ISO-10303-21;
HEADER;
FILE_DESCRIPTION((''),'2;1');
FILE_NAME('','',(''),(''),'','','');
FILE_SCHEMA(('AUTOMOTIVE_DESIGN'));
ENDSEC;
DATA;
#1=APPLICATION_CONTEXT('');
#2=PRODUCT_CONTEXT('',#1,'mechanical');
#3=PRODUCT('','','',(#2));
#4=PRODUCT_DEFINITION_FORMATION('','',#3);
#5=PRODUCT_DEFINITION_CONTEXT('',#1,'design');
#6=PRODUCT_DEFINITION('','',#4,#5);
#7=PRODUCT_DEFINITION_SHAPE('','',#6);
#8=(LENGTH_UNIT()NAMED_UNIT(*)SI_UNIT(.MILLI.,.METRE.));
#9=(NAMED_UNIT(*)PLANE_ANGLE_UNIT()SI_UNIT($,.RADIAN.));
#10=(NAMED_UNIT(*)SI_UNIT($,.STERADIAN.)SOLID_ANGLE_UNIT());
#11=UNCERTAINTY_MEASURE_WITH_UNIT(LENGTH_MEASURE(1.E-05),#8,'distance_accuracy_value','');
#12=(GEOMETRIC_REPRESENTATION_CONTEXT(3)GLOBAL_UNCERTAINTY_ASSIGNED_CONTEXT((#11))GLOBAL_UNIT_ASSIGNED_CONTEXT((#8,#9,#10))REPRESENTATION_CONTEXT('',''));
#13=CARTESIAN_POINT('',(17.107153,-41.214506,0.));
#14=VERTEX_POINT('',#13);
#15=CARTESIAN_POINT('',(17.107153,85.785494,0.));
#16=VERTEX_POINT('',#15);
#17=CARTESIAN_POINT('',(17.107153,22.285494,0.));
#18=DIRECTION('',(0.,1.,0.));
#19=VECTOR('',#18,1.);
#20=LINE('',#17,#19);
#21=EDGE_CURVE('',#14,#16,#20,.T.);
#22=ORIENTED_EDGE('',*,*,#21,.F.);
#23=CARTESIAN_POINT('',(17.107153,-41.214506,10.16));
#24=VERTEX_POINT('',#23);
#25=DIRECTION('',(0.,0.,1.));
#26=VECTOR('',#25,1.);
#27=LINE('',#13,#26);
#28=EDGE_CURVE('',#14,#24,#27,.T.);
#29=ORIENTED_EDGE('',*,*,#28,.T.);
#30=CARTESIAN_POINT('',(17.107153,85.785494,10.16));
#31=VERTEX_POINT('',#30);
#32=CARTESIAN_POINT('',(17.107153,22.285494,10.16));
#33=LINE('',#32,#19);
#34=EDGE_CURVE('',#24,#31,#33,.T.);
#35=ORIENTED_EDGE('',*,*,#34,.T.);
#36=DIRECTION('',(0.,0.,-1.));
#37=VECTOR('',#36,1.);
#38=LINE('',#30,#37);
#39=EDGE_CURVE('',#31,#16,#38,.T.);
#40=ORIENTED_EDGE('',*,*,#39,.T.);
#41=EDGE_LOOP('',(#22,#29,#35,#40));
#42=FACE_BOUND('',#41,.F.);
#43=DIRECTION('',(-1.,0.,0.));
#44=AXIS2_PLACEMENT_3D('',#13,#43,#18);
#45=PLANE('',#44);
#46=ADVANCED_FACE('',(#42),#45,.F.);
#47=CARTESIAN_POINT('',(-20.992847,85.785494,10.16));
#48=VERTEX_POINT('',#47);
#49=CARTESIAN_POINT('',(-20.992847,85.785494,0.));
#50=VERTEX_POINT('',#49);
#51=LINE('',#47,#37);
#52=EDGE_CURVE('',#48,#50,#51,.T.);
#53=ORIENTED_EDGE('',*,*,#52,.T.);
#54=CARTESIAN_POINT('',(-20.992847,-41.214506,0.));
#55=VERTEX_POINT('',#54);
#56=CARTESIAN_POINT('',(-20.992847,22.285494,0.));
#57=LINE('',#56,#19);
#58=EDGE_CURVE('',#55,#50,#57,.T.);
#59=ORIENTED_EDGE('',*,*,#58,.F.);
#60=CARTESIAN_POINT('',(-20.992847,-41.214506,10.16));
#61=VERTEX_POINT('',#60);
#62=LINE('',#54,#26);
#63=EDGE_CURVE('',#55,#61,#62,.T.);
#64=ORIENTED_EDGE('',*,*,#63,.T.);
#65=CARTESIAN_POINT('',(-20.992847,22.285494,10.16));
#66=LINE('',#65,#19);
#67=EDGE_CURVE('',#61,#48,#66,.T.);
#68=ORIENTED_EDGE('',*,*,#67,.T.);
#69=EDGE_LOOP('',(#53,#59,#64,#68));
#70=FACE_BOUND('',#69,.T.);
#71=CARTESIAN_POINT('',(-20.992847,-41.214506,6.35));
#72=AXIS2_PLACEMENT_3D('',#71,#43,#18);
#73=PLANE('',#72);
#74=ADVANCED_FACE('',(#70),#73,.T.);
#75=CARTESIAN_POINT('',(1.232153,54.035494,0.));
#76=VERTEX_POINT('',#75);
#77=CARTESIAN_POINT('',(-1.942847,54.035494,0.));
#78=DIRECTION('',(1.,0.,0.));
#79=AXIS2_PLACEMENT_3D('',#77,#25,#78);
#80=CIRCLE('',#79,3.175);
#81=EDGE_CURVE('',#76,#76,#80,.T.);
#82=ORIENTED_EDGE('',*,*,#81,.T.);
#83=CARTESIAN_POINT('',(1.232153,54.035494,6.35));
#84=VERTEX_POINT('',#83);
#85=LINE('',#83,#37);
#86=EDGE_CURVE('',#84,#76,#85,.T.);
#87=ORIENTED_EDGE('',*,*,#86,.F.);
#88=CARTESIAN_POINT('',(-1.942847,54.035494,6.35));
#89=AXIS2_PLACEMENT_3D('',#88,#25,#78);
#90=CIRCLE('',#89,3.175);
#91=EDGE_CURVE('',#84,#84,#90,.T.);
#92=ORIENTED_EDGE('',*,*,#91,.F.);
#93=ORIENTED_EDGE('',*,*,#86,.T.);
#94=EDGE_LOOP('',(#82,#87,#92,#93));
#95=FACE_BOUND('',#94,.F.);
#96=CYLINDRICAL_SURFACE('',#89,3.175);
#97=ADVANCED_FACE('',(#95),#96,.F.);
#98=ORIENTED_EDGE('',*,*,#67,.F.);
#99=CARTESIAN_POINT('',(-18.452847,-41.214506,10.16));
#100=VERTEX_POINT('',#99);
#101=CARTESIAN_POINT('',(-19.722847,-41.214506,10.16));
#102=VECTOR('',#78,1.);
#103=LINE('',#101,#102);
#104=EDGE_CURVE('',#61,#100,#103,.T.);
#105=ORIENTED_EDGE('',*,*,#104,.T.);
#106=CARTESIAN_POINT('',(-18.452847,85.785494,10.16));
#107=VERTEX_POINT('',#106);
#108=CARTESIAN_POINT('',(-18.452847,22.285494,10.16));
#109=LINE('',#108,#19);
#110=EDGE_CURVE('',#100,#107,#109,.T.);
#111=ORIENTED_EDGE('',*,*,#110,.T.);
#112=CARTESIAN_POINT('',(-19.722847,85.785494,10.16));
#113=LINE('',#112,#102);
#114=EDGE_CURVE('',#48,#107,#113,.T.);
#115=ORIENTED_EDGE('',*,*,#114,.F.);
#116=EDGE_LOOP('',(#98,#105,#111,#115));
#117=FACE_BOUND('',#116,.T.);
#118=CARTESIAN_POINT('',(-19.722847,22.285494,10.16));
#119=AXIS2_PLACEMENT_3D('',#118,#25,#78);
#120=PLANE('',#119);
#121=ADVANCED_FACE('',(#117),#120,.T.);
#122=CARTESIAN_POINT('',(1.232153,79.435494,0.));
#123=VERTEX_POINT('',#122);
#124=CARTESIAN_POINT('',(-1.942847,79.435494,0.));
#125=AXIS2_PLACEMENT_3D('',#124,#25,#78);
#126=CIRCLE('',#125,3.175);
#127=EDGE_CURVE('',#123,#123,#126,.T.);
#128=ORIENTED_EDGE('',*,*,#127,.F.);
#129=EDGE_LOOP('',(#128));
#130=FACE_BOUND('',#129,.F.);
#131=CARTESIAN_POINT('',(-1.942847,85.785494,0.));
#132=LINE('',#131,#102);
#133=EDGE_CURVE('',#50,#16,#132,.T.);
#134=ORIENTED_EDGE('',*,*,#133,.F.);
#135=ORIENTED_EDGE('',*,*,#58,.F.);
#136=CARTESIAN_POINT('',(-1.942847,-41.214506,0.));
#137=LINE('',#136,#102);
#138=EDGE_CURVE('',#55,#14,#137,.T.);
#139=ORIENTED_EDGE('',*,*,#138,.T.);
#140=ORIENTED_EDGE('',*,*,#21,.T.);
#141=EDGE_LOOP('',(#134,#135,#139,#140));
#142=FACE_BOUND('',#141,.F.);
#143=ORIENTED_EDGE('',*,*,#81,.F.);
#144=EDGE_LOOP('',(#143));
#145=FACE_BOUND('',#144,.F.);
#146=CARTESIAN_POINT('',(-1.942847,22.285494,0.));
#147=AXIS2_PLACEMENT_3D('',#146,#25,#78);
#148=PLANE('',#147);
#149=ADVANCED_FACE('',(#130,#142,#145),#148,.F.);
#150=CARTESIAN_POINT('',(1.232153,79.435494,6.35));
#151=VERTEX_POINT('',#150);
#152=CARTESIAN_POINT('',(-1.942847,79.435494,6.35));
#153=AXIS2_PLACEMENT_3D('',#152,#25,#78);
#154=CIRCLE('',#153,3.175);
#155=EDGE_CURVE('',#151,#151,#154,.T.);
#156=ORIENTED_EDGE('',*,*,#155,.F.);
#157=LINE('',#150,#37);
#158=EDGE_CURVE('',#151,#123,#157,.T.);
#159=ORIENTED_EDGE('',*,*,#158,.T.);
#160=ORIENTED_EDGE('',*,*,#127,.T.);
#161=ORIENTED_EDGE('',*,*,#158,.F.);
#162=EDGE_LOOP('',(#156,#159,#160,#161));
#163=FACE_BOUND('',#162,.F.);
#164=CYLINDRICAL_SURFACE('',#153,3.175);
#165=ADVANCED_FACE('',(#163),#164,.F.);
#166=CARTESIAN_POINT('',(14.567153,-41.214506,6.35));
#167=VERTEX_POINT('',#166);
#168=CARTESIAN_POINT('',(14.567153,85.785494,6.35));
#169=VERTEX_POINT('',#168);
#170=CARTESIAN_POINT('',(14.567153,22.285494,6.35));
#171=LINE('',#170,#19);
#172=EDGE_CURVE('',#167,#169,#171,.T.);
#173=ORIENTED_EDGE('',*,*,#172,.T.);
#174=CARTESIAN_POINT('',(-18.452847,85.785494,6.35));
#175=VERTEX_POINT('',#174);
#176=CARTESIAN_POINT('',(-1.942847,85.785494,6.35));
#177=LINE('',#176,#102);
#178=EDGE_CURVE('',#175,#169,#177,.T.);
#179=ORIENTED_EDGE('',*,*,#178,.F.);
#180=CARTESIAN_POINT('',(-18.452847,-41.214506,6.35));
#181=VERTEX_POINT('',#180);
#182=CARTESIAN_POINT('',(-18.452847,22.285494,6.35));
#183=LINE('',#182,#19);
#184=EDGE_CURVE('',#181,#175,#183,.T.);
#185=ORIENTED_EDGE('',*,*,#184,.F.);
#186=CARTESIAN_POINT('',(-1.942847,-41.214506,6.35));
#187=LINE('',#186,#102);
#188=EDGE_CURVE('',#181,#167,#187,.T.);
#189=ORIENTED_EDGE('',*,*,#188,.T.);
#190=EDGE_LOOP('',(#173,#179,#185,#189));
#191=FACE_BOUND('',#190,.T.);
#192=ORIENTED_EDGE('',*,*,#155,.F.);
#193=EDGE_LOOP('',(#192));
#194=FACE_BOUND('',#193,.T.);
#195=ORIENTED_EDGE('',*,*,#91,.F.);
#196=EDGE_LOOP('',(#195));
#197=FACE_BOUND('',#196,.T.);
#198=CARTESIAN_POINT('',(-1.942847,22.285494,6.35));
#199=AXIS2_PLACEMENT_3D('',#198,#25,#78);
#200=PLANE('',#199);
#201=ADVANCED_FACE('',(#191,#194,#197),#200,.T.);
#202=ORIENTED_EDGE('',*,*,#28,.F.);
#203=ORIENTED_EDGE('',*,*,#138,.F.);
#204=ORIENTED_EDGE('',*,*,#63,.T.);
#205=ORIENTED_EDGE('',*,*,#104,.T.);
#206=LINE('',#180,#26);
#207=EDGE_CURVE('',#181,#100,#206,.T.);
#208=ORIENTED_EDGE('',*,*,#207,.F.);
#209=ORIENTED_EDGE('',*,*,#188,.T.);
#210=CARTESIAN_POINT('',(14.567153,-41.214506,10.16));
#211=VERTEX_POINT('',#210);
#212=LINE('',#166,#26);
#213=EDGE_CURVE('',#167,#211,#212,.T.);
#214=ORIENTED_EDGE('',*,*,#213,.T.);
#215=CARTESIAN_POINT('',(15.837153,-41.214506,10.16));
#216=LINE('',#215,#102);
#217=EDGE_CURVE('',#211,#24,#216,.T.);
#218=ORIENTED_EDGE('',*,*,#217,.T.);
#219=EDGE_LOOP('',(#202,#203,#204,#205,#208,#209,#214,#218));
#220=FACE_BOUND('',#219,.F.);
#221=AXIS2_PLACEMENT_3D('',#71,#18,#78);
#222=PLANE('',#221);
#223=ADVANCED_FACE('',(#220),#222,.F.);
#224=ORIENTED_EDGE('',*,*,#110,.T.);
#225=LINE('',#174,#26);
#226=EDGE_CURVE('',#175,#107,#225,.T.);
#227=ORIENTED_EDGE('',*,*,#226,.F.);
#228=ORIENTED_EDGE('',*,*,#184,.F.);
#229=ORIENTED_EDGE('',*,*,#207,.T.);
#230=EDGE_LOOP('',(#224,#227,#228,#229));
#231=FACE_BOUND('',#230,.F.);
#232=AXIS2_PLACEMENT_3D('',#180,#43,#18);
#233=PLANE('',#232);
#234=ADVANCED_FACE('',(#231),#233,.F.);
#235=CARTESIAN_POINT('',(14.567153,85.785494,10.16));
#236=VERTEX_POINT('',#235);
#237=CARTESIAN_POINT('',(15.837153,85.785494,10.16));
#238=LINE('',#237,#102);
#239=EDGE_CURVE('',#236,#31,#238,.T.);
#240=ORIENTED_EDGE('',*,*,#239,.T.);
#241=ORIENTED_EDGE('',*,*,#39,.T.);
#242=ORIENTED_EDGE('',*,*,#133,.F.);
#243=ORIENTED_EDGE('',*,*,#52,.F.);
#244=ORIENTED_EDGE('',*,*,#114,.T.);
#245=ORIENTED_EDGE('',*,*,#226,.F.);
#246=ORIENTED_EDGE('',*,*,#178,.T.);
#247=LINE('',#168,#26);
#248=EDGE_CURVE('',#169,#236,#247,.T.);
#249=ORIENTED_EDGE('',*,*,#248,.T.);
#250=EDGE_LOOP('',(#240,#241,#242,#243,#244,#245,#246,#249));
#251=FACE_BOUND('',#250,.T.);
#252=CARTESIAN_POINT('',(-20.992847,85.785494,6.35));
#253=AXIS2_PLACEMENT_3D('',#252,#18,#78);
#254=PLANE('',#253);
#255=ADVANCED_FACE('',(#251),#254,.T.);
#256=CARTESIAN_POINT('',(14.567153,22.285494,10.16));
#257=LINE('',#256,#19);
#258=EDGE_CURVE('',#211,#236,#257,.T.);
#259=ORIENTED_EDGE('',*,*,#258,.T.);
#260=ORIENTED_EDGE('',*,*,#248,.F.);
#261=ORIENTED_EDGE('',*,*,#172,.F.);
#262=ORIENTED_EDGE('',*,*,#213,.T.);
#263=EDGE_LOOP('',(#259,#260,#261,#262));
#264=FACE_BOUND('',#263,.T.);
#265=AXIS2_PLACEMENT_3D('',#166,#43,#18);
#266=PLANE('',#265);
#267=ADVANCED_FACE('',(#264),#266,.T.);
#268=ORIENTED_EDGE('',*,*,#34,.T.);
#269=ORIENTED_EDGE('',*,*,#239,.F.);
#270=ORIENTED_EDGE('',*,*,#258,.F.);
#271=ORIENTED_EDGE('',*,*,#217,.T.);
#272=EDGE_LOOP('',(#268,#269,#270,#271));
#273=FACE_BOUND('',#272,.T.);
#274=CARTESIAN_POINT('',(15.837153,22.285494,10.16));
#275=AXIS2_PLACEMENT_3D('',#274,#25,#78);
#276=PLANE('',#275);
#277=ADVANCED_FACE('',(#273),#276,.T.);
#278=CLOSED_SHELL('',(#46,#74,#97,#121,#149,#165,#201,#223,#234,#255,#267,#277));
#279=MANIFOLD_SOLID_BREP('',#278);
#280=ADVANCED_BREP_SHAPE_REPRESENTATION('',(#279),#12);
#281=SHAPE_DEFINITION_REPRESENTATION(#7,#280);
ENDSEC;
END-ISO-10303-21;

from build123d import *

# Parameters (mm, degrees)
F0_W     = 38.1
F0_H     = 127
F1_DEPTH = 6.35
F2_W     = 2.54
F2_H     = 127
F3_DEPTH = 3.81
F4_R     = 3.175
F5_DEPTH = 6.35


with BuildPart() as f1:
    # F0 (on Top) → F1 (new body)
    with BuildSketch(Plane.XY):
        with Locations((-1.942847, 22.285494)):
            Rectangle(F0_W, F0_H)
    extrude(amount=F1_DEPTH)

    # F2 (on face) → F3 (join)
    with BuildSketch(Plane.XY.offset(6.35)):
        with Locations((-19.722847, 22.285494)):
            Rectangle(F2_W, F2_H)
        with Locations((15.837153, 22.285494)):
            Rectangle(F2_W, F2_H)
    extrude(amount=F3_DEPTH)

    # F4 (on face) → F5 (cut)
    with BuildSketch(Plane.XY.offset(6.35)):
        with Locations((-1.942847, 79.435494)):
            Circle(F4_R)
        with Locations((-1.942847, 54.035494)):
            Circle(F4_R)
    extrude(amount=-F5_DEPTH, mode=Mode.SUBTRACT)


solid = f1.part
